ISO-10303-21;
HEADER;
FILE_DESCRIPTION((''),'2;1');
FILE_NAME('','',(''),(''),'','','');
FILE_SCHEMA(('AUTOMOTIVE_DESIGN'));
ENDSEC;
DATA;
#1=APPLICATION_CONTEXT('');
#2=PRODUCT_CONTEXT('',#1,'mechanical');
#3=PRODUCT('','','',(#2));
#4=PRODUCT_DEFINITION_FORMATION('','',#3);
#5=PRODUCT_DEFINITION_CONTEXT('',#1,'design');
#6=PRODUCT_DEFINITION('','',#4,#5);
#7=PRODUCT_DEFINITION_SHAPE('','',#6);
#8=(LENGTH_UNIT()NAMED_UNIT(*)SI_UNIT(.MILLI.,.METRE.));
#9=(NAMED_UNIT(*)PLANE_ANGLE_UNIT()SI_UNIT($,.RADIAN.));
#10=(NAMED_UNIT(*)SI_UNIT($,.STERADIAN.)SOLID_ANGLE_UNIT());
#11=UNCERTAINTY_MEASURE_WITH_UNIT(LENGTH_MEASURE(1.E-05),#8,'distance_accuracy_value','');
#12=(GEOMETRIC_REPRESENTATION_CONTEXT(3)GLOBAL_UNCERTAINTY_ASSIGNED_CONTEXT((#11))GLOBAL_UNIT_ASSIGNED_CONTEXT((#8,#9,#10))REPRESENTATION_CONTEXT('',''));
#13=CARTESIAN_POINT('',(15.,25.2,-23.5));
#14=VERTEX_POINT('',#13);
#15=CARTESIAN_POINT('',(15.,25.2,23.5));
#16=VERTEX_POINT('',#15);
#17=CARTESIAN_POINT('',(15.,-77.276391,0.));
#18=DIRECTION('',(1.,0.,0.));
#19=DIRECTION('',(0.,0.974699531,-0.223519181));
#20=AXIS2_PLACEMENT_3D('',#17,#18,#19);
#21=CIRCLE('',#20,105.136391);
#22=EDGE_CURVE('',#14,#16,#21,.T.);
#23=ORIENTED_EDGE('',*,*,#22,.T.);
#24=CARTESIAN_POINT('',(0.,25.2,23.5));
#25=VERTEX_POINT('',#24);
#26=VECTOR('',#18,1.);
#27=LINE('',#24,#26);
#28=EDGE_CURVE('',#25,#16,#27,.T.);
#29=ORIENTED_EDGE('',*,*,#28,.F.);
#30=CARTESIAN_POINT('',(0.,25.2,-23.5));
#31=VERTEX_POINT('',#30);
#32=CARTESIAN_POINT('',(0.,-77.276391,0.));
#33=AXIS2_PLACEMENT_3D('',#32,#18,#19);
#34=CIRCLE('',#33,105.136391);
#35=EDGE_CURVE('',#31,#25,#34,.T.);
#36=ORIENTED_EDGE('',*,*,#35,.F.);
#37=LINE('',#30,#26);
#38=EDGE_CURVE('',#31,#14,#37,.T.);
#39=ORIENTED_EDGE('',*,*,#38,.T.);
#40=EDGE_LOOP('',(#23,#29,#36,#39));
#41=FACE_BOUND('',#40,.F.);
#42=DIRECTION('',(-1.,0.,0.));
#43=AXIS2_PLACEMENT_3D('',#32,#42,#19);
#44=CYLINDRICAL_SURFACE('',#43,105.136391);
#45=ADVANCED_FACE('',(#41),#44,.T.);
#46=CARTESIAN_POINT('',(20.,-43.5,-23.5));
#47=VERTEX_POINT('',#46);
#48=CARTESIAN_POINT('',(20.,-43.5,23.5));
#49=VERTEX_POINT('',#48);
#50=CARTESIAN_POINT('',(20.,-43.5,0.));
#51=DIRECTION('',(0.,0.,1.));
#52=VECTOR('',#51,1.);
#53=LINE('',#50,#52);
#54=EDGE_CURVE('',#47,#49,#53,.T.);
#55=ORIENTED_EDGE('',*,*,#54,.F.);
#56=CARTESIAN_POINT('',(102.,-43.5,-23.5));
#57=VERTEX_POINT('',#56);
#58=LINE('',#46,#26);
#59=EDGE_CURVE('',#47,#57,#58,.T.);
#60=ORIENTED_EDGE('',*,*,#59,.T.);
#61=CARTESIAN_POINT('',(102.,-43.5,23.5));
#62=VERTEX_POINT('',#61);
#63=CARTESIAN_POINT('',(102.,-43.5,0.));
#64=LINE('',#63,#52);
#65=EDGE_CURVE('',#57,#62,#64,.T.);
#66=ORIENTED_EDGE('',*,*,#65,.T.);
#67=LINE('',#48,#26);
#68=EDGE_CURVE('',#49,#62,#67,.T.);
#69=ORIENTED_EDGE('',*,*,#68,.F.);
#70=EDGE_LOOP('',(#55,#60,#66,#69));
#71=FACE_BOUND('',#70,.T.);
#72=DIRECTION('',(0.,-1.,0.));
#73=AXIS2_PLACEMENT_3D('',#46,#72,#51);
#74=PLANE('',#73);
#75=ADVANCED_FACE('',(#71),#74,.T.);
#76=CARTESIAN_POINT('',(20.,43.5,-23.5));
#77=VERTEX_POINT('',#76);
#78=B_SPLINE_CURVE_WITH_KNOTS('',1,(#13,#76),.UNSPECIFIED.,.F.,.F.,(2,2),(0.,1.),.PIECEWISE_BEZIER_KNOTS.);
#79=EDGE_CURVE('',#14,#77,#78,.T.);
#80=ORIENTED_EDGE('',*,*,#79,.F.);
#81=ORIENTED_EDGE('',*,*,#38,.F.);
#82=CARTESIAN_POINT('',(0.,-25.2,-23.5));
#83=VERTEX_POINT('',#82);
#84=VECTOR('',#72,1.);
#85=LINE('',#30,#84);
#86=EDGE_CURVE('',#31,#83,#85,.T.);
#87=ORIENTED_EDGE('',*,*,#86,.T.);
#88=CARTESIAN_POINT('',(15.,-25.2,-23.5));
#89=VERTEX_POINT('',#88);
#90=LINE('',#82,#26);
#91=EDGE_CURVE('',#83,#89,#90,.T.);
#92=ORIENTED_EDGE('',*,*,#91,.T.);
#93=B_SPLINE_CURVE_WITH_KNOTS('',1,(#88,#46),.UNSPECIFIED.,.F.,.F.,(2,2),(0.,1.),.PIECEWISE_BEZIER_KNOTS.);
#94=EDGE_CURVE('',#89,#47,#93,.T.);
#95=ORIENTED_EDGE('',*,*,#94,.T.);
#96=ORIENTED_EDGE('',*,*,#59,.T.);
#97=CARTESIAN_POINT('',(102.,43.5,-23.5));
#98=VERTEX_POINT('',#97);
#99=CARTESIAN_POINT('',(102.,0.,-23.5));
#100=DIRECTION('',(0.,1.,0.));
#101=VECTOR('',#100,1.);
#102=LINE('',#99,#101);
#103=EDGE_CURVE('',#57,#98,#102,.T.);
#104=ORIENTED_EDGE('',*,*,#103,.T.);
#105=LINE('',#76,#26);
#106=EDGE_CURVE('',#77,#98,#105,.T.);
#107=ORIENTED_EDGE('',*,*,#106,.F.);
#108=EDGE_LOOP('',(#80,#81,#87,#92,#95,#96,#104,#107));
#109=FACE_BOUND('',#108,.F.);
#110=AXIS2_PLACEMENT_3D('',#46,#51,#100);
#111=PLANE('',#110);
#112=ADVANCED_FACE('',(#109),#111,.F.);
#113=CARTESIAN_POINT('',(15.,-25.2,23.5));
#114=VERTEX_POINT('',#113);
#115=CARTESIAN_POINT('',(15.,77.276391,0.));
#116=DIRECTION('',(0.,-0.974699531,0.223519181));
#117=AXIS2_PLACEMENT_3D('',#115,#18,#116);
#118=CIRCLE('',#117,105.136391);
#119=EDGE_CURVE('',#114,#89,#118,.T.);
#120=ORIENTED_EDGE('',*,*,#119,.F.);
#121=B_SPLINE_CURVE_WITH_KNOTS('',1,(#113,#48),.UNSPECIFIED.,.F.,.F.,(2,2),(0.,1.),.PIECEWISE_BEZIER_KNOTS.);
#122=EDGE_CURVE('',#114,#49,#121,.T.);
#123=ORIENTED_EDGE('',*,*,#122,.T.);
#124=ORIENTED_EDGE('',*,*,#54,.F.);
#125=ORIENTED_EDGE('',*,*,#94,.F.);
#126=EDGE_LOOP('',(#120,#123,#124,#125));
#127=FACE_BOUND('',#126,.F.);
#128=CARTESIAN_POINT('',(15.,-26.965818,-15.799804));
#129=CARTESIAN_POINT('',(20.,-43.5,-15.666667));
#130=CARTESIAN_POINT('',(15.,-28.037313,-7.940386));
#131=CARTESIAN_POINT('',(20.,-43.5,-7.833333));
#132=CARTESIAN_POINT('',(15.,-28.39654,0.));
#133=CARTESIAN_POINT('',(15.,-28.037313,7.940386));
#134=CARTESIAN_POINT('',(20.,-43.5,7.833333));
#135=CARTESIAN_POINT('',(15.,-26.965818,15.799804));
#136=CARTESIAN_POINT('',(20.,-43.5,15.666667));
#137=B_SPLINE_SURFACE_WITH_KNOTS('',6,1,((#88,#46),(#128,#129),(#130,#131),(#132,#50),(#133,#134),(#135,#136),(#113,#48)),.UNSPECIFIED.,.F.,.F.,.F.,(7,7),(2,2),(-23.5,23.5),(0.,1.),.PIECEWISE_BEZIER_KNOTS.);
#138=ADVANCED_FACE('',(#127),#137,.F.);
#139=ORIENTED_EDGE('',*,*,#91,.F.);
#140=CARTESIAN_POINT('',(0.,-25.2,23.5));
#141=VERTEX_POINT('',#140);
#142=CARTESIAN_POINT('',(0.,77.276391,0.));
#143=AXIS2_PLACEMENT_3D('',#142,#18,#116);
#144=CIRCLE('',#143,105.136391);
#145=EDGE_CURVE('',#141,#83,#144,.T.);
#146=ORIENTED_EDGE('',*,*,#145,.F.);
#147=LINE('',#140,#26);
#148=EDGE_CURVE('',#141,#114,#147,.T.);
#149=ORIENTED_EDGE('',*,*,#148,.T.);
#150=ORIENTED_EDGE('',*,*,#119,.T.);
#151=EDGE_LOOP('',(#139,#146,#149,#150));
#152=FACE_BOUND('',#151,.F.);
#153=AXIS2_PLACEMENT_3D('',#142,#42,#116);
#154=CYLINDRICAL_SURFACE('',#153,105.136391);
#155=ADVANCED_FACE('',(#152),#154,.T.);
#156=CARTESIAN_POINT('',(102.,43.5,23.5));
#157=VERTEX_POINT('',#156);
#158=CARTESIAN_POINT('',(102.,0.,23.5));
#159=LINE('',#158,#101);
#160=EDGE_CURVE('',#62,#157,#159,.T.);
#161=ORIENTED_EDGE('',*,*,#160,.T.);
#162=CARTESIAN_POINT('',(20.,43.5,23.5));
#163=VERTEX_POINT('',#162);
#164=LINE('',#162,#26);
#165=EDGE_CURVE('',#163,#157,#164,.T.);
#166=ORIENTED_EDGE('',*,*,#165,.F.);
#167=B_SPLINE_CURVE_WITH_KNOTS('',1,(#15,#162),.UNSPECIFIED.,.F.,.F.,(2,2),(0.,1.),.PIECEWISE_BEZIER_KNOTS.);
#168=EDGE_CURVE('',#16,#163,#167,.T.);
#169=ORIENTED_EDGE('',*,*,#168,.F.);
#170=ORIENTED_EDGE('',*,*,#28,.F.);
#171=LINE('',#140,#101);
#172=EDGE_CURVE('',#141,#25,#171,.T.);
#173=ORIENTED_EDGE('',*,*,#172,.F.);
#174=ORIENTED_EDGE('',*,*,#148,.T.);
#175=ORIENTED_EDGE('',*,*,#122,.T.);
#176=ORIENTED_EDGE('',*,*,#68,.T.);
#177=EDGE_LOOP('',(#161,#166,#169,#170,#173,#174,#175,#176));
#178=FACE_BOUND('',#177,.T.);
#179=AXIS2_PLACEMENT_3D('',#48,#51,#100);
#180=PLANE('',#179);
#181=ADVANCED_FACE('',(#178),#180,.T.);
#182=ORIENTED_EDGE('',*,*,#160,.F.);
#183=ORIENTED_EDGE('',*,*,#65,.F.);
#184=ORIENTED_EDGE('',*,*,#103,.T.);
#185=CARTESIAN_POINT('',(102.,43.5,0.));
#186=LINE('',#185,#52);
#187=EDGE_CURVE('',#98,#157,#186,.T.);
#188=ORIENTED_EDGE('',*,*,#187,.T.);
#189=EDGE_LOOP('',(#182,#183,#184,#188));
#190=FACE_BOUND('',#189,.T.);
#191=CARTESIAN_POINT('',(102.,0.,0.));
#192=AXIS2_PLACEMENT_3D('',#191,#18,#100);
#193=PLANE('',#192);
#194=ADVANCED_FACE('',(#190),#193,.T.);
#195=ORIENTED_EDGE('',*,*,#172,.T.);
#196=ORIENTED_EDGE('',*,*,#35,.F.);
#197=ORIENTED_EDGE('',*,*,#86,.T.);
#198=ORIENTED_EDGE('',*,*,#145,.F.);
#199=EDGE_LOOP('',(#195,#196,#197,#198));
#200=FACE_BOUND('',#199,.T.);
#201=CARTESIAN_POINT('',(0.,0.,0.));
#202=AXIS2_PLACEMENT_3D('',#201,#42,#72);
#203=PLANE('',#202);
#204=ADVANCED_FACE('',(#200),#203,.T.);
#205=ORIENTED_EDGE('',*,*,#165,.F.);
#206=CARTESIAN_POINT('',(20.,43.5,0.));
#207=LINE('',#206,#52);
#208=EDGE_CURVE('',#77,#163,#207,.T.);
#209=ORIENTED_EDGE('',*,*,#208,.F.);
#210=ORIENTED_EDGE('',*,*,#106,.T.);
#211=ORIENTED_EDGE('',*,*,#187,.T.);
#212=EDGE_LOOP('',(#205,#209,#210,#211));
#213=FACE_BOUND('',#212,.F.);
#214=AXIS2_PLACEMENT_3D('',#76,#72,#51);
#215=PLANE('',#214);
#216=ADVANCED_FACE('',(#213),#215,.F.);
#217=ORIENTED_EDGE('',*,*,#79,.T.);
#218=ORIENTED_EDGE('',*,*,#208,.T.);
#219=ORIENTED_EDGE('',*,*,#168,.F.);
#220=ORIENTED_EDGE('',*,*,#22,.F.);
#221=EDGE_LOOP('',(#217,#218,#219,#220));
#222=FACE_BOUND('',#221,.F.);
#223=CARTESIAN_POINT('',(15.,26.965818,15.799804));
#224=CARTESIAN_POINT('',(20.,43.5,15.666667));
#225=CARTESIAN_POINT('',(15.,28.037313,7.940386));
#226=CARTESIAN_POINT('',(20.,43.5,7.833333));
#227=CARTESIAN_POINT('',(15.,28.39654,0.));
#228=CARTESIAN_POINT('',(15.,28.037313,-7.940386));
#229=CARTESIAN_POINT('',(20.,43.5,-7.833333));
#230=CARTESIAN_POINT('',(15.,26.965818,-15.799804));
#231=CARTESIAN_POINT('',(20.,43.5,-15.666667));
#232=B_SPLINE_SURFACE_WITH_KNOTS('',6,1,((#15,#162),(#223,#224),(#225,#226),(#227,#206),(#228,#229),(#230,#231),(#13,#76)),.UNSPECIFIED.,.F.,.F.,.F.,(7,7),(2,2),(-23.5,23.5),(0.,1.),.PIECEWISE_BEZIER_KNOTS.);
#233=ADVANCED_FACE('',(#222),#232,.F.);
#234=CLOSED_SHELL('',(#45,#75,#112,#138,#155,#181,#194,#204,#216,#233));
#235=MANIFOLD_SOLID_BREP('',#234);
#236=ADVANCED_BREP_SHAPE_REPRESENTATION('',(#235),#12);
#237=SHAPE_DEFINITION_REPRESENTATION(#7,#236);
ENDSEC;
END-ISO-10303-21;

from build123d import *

# Parameters (mm, degrees)
PAD002_DEPTH = 15
SKETCH005_W  = 87
SKETCH005_H  = 47
SKETCH007_W  = 87
SKETCH007_H  = 47
PAD003_DEPTH = 82


with BuildPart() as part:
    # Sketch004 → Pad002 (new body)
    with BuildSketch(Plane.YZ):
        with BuildLine():
            Line((-25.2, 23.5), (25.2, 23.5))
            ThreePointArc((25.2, -23.5), (27.86, 0), (25.2, 23.5))
            Line((25.2, -23.5), (-25.2, -23.5))
            ThreePointArc((-25.2, 23.5), (-27.86, 0), (-25.2, -23.5))
        make_face()
    extrude(amount=PAD002_DEPTH)

    # Sketch006 (on Face6 of Pad002) → AdditiveLoft001 section 0
    with BuildSketch(Plane.YZ.offset(15)):
        with BuildLine():
            Line((-25.2, 23.5), (25.2, 23.5))
            ThreePointArc((25.2, -23.5), (27.86, 0), (25.2, 23.5))
            Line((-25.2, -23.5), (25.2, -23.5))
            ThreePointArc((-25.2, 23.5), (-27.86, 0), (-25.2, -23.5))
        make_face()
    # Sketch005 → AdditiveLoft001 section 1
    with BuildSketch(Plane.YZ.offset(20)):
        Rectangle(SKETCH005_W, SKETCH005_H)
    loft()

    # Sketch007 (on Face10 of AdditiveLoft001) → Pad003 (join)
    with BuildSketch(Plane.YZ.offset(20)):
        Rectangle(SKETCH007_W, SKETCH007_H)
    extrude(amount=PAD003_DEPTH)


solid = part.part
